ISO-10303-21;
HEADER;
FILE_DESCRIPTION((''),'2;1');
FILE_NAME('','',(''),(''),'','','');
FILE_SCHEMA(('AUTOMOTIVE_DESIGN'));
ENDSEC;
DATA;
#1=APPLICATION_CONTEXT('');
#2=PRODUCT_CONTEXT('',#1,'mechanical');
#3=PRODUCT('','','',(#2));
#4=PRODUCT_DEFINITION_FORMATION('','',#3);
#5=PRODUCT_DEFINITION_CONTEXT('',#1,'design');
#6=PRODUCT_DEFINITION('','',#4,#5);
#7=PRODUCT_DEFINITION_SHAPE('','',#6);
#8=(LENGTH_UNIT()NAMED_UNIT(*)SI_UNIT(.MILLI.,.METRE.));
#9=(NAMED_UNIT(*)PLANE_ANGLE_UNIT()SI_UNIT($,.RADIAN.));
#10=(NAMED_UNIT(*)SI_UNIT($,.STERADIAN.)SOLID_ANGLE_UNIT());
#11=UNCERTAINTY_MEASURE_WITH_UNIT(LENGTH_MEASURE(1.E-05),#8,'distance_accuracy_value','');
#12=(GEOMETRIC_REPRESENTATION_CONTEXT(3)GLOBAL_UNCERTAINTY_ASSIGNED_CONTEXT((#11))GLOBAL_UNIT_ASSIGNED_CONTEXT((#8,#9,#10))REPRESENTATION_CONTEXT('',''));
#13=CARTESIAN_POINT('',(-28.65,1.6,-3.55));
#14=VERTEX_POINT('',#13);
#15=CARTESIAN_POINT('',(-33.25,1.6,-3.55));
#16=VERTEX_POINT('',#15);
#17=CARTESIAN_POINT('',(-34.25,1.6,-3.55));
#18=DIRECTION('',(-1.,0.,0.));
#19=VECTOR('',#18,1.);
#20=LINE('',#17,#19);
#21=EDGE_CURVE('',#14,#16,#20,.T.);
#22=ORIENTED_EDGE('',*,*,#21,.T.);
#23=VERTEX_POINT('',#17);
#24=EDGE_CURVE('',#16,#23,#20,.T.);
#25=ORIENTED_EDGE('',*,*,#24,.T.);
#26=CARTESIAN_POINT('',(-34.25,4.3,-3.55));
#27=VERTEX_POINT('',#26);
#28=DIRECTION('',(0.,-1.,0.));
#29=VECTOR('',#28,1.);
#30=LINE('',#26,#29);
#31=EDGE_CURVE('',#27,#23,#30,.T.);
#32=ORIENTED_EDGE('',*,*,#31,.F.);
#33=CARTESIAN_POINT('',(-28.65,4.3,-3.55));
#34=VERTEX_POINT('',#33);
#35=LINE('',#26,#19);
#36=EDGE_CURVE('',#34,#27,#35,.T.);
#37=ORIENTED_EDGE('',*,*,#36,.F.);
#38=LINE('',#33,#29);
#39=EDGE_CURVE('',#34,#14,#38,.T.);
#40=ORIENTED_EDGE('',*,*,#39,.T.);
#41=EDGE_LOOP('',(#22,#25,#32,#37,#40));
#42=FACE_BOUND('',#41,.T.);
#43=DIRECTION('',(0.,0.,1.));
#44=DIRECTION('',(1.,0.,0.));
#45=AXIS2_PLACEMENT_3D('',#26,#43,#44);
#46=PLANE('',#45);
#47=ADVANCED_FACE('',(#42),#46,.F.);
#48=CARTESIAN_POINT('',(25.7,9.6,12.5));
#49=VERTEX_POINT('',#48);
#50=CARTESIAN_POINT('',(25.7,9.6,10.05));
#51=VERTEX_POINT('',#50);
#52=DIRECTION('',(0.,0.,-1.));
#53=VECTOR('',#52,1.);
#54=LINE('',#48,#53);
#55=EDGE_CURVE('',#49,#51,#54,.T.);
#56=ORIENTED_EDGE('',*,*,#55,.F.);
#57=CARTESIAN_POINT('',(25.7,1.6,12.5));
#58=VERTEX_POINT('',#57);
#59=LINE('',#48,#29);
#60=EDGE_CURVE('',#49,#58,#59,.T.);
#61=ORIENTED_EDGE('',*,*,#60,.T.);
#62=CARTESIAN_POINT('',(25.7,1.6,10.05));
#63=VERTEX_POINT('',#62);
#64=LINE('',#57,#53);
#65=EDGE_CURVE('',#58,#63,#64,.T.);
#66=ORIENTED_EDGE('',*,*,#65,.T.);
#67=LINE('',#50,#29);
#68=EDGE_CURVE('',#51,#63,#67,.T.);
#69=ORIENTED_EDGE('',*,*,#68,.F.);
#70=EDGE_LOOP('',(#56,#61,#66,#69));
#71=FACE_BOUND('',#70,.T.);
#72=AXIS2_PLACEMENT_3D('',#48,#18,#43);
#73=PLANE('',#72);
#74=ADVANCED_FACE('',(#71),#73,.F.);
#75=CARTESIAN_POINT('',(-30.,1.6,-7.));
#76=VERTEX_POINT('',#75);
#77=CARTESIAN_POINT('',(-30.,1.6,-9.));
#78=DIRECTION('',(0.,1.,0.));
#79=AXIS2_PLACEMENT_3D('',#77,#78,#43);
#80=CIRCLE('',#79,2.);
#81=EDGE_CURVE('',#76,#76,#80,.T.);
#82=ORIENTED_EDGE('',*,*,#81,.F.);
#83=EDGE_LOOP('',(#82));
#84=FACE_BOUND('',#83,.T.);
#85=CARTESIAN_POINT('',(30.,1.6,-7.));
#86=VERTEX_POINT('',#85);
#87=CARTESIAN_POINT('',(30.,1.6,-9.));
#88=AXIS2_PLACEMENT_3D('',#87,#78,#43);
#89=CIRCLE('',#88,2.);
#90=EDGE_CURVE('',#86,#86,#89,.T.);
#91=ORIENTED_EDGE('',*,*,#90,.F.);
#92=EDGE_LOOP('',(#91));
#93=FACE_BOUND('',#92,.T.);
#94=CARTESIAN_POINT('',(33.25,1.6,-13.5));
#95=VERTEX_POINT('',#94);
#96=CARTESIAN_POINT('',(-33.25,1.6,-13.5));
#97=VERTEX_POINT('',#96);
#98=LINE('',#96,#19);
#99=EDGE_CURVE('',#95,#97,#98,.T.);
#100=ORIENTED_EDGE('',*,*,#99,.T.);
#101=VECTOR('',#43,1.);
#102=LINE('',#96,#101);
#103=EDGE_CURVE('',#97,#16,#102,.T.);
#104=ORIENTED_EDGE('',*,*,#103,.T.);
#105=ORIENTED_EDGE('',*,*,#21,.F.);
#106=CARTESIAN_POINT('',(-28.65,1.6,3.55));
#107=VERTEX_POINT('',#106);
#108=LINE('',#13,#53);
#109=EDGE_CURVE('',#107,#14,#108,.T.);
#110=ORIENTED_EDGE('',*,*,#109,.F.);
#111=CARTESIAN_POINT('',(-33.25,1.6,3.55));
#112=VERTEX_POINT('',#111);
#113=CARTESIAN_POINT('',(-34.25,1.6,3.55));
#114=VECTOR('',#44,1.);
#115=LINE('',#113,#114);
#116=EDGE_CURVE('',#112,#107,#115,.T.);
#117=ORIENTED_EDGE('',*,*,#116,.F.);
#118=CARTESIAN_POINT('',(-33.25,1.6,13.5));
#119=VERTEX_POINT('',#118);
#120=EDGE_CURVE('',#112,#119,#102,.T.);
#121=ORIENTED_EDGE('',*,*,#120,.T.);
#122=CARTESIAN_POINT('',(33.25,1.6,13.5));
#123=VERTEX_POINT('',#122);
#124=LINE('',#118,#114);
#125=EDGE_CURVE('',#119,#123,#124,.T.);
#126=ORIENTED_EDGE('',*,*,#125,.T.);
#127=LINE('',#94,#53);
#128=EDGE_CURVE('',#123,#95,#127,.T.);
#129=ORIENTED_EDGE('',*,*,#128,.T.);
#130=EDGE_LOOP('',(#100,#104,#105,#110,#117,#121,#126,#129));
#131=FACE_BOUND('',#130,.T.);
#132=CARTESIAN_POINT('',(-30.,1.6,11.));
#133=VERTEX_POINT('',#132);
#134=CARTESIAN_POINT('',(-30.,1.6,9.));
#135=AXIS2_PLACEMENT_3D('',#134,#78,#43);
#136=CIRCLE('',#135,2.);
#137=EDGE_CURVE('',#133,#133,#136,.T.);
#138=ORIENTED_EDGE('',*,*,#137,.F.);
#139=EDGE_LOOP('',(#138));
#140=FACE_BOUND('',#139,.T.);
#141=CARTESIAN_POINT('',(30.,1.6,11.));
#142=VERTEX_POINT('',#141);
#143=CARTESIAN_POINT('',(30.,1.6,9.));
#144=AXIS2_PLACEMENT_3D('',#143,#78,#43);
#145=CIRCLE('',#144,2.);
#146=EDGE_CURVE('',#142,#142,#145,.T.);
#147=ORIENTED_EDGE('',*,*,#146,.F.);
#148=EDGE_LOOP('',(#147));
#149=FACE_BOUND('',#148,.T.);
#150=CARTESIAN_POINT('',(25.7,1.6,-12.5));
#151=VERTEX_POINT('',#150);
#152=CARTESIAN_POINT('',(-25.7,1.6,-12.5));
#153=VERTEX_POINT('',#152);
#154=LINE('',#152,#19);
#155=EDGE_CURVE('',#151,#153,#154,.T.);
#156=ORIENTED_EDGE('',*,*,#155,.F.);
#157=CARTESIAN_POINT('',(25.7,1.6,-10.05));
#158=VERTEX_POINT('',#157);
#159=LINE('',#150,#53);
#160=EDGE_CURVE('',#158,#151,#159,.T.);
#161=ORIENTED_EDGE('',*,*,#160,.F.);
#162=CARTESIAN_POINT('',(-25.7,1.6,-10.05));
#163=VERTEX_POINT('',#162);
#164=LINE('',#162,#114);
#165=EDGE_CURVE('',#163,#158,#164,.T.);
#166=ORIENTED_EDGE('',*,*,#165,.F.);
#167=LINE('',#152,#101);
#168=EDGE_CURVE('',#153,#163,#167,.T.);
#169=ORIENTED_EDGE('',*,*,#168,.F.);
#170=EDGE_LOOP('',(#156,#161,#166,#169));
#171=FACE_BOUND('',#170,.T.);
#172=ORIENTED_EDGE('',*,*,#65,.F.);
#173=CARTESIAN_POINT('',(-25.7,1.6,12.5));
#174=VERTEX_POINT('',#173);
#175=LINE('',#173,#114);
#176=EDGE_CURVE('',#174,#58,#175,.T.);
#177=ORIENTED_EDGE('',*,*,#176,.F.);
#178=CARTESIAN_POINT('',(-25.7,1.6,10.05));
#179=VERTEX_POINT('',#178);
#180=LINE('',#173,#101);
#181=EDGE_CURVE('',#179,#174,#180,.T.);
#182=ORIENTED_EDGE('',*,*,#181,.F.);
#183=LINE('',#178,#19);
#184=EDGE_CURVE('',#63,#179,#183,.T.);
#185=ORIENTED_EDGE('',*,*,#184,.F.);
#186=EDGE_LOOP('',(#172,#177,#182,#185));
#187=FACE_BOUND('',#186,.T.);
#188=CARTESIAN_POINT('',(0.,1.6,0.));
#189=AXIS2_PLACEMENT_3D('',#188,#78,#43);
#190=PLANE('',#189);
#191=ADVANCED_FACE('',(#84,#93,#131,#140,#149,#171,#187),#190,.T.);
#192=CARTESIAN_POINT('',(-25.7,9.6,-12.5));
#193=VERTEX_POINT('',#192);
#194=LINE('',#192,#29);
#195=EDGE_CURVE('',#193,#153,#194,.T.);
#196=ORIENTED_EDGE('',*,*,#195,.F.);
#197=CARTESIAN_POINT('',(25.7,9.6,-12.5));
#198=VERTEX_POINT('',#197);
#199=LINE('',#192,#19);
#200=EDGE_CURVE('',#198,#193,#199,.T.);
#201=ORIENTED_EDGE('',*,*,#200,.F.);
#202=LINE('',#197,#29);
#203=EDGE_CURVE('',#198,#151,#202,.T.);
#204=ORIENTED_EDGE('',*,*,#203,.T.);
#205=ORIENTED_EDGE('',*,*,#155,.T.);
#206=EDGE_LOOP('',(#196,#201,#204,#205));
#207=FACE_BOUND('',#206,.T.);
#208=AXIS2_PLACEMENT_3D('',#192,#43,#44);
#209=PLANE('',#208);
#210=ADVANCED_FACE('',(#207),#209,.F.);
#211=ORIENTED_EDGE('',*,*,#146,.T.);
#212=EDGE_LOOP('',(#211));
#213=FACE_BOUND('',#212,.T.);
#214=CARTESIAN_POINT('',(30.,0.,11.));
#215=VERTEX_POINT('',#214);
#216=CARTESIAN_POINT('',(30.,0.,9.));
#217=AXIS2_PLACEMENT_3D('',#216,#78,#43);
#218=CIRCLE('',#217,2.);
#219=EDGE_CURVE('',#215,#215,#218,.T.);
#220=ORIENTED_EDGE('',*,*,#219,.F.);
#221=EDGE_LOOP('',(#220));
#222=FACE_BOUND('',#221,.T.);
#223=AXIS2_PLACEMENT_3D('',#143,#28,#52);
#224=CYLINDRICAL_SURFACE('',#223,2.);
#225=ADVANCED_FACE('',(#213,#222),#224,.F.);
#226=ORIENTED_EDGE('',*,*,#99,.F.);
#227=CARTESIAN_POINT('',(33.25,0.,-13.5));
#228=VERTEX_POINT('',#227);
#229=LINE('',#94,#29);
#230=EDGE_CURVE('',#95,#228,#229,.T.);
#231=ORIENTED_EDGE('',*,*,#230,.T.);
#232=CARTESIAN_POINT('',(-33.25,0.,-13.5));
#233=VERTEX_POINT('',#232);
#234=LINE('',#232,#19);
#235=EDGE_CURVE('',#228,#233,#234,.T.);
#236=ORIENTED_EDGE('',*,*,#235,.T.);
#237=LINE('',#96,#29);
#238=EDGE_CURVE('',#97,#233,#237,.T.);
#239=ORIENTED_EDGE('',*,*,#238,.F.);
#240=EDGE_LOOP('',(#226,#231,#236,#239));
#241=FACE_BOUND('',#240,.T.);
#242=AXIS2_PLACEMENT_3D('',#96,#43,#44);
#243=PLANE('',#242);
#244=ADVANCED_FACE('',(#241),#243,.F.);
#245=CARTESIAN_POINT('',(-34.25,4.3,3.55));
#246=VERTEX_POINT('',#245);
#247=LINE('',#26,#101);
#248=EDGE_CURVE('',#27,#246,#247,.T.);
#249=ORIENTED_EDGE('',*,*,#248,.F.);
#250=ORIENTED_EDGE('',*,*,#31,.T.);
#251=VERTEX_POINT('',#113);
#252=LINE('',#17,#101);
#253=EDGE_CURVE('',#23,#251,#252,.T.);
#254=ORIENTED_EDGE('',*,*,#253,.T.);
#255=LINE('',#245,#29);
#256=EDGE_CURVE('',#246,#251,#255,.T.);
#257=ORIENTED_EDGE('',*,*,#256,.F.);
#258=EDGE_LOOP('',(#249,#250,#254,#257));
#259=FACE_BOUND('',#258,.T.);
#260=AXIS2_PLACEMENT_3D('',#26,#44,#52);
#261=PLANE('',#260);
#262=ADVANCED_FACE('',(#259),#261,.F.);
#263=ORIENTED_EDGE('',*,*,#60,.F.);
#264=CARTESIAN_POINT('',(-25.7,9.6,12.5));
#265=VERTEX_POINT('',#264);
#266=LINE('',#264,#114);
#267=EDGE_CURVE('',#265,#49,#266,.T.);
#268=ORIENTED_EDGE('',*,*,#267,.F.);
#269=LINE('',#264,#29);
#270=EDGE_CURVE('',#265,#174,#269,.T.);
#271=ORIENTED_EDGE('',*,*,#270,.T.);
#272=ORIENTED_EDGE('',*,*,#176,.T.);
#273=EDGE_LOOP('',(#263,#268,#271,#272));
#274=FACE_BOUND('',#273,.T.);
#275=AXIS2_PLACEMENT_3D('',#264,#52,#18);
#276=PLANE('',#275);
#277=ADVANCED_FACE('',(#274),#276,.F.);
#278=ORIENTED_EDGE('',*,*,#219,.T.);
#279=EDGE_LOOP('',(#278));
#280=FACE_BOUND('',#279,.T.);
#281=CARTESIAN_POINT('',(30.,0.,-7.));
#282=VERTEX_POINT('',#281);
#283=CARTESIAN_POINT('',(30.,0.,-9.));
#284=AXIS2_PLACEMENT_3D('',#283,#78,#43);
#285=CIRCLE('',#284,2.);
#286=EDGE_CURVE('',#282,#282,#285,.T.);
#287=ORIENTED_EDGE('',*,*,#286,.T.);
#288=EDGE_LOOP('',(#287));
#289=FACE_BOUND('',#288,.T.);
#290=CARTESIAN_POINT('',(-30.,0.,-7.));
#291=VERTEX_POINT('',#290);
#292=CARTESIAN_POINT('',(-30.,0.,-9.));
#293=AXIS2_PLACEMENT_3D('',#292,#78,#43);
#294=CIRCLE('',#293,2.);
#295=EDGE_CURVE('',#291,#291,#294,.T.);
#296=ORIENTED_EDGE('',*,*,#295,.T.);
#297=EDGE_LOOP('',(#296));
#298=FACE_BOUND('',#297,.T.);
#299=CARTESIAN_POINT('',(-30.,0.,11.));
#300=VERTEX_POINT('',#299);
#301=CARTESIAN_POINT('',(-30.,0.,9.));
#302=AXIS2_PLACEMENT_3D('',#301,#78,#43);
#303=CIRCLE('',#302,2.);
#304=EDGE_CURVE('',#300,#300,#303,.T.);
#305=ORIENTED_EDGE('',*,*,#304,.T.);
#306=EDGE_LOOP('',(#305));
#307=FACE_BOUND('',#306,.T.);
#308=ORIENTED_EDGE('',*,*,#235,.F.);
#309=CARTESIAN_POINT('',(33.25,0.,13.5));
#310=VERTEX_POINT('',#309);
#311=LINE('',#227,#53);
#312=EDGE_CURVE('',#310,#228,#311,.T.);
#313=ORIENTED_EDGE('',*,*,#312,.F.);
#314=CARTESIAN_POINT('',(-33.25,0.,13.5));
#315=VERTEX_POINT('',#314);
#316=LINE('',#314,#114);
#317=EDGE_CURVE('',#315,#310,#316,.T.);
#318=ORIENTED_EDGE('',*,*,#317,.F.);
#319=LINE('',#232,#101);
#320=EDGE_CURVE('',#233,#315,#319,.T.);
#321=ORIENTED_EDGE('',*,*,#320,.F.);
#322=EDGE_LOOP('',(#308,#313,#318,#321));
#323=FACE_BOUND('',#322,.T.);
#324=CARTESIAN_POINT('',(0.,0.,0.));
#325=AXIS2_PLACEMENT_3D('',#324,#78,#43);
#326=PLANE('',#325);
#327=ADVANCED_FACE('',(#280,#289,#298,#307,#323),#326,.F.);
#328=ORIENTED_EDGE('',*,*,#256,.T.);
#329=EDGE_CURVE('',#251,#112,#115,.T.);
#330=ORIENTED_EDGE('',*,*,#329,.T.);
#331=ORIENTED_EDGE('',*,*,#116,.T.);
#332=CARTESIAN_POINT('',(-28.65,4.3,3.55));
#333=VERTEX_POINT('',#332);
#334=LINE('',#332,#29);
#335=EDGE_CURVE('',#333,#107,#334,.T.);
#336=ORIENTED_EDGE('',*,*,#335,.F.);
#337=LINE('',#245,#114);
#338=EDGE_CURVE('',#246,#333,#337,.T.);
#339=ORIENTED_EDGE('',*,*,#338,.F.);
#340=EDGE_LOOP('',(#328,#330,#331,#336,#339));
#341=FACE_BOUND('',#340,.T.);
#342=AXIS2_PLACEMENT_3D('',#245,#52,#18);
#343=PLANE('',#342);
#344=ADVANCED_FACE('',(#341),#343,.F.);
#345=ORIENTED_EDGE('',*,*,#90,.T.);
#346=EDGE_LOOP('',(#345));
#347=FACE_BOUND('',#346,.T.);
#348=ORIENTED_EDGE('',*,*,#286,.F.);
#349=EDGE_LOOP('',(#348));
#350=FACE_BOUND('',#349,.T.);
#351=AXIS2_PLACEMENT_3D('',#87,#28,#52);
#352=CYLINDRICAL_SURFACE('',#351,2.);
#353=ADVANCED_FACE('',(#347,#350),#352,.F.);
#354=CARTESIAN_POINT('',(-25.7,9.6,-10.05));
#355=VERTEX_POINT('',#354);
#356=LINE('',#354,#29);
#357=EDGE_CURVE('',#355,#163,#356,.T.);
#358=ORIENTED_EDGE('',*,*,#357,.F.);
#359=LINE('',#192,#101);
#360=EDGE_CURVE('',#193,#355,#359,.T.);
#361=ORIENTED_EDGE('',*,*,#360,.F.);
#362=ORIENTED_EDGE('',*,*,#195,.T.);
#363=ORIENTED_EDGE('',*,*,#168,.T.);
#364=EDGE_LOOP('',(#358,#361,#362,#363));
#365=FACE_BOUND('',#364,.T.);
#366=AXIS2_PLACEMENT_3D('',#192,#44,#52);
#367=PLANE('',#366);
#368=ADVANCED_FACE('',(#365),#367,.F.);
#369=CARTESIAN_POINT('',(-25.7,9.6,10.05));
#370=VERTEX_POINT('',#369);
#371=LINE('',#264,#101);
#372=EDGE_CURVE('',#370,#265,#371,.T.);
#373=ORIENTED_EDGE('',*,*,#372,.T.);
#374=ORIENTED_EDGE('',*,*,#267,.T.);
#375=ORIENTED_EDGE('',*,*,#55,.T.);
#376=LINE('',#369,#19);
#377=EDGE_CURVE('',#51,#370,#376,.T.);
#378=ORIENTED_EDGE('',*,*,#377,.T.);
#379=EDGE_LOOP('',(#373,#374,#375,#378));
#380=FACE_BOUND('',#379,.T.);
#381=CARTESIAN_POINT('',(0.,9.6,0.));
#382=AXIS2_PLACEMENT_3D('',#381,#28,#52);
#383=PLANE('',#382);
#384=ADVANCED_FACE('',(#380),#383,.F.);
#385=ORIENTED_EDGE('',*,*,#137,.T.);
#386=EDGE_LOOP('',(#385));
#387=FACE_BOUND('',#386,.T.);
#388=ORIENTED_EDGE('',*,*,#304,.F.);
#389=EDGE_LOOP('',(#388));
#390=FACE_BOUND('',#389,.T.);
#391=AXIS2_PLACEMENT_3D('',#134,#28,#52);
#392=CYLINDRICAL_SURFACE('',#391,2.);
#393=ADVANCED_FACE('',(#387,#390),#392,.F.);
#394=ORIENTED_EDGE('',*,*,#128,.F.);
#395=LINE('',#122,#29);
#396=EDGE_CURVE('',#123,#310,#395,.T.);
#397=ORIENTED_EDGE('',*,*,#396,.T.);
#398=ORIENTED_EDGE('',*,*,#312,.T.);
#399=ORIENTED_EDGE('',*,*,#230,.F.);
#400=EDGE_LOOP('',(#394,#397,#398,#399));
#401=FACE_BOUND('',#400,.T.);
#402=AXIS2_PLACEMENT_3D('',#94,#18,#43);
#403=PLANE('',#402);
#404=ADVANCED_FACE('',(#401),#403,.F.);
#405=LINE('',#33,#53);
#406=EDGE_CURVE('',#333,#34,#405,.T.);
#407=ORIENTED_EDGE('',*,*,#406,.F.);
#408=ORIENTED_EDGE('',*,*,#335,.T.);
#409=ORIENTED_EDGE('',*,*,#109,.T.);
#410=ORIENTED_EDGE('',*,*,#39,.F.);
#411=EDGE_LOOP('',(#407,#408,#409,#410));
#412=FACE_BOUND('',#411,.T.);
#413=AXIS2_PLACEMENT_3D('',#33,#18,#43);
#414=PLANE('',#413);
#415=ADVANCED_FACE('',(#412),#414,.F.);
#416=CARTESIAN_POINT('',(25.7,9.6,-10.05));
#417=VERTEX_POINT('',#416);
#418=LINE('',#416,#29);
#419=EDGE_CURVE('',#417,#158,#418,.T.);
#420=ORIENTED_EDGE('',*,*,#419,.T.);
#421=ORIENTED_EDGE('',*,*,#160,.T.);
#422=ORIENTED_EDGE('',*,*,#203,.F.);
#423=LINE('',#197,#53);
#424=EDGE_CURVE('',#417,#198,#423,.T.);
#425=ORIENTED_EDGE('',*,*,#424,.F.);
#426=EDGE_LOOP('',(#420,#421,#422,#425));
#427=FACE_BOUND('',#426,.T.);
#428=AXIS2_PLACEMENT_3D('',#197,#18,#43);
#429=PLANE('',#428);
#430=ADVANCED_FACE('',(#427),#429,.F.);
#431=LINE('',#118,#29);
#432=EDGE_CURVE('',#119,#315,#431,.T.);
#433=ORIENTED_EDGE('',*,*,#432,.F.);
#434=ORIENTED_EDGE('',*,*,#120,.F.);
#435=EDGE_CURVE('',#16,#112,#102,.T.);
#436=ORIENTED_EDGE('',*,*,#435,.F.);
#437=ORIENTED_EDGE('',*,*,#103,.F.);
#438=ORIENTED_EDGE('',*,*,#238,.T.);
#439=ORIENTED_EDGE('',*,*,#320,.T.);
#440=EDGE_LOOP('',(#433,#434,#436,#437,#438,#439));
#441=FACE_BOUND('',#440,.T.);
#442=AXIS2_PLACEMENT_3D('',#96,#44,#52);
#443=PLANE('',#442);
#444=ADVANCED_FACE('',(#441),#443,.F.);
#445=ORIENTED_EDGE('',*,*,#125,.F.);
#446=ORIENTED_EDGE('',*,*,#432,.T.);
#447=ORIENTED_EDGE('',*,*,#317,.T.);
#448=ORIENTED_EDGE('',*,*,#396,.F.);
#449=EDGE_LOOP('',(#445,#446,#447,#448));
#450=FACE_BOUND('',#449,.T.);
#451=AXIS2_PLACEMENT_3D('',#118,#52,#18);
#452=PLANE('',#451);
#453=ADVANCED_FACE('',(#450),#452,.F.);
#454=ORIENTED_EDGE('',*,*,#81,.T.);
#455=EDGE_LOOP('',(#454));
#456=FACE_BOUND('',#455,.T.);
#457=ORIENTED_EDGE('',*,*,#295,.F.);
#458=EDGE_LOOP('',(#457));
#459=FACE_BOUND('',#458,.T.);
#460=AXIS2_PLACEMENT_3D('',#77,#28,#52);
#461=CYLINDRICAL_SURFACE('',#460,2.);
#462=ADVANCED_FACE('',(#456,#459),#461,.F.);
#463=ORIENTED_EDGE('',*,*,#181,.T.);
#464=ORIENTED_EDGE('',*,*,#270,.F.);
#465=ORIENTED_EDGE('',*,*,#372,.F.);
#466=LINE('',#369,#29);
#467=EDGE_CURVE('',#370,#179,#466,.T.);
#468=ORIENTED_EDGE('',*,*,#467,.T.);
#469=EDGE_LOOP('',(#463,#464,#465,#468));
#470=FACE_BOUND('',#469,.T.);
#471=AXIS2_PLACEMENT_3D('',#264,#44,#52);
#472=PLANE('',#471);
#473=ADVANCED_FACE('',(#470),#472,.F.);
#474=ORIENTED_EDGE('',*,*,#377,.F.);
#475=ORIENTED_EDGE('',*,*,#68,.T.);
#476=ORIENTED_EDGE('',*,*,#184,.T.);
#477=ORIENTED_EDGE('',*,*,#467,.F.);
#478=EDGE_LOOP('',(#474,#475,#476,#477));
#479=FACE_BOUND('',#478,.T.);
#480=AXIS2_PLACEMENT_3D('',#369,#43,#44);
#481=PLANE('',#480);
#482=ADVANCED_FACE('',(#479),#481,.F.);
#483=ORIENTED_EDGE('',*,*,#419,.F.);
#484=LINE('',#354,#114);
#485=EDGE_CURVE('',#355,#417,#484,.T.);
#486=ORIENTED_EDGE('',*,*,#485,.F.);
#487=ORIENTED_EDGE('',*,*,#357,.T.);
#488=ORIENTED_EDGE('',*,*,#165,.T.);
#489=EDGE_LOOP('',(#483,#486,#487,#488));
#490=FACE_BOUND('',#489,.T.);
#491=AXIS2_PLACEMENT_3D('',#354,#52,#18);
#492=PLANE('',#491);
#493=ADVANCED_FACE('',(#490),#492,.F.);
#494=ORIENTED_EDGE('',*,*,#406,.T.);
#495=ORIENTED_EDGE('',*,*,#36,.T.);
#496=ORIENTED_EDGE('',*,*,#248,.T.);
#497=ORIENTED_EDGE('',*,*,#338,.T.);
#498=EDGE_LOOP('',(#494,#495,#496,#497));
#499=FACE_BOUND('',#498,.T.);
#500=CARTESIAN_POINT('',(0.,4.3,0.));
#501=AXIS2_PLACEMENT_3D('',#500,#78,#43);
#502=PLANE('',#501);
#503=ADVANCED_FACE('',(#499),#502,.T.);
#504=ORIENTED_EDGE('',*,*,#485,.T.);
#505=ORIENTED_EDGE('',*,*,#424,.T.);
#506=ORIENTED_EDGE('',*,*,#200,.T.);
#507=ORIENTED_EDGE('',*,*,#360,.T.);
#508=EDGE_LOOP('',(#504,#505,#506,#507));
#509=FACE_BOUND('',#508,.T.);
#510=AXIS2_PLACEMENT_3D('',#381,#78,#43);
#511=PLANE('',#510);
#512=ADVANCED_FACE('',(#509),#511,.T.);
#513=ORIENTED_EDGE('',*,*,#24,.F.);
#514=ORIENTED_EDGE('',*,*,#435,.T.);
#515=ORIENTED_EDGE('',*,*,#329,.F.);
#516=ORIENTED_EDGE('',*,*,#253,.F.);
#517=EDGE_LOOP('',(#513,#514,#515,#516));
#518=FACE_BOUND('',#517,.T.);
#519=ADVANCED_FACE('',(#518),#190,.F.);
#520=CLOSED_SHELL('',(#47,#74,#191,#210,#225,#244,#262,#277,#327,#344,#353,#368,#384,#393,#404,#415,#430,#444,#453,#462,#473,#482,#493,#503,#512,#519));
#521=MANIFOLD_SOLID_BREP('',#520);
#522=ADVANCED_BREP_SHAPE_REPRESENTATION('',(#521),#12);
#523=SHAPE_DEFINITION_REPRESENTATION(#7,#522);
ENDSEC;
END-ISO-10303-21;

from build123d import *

# Parameters (mm, degrees)
SKETCH1_W           = 66.5
SKETCH1_H           = 27
SKETCH1_R           = 2
BOSS_EXTRUDE1_DEPTH = 1.6
SKETCH2_W           = 5.6
SKETCH2_H           = 7.1
BOSS_EXTRUDE2_DEPTH = 2.7
SKETCH3_W           = 51.4
SKETCH3_H           = 2.45
BOSS_EXTRUDE3_DEPTH = 8


with BuildPart() as part:
    # Sketch1 → Boss-Extrude1 (new body)
    with BuildSketch(Plane(origin=(0, 0, 0), x_dir=(1, 0, 0), z_dir=(0, 1, 0))):
        Rectangle(SKETCH1_W, SKETCH1_H)
        with Locations(Location((-30, 9, 0), (0, 0, 270))):
            Circle(SKETCH1_R, mode=Mode.SUBTRACT)
        with Locations(Location((-30, -9, 0), (0, 0, 270))):
            Circle(SKETCH1_R, mode=Mode.SUBTRACT)
        with Locations(Location((30, -9, 0), (0, 0, 270))):
            Circle(SKETCH1_R, mode=Mode.SUBTRACT)
        with Locations(Location((30, 9, 0), (0, 0, 270))):
            Circle(SKETCH1_R, mode=Mode.SUBTRACT)
    extrude(amount=BOSS_EXTRUDE1_DEPTH)

    # Sketch2 → Boss-Extrude2 (add)
    with BuildSketch(Plane(origin=(0, 1.6, 0), x_dir=(1, 0, 0), z_dir=(0, 1, 0))):
        with Locations((-31.45, 0)):
            Rectangle(SKETCH2_W, SKETCH2_H)
    extrude(amount=BOSS_EXTRUDE2_DEPTH)

    # Sketch3 → Boss-Extrude3 (add)
    with BuildSketch(Plane(origin=(0, 1.6, 0), x_dir=(1, 0, 0), z_dir=(0, 1, 0))):
        with Locations((0, 11.275)):
            Rectangle(SKETCH3_W, SKETCH3_H)
        with Locations((0, -11.275)):
            Rectangle(SKETCH3_W, SKETCH3_H)
    extrude(amount=BOSS_EXTRUDE3_DEPTH)


solid = part.part
